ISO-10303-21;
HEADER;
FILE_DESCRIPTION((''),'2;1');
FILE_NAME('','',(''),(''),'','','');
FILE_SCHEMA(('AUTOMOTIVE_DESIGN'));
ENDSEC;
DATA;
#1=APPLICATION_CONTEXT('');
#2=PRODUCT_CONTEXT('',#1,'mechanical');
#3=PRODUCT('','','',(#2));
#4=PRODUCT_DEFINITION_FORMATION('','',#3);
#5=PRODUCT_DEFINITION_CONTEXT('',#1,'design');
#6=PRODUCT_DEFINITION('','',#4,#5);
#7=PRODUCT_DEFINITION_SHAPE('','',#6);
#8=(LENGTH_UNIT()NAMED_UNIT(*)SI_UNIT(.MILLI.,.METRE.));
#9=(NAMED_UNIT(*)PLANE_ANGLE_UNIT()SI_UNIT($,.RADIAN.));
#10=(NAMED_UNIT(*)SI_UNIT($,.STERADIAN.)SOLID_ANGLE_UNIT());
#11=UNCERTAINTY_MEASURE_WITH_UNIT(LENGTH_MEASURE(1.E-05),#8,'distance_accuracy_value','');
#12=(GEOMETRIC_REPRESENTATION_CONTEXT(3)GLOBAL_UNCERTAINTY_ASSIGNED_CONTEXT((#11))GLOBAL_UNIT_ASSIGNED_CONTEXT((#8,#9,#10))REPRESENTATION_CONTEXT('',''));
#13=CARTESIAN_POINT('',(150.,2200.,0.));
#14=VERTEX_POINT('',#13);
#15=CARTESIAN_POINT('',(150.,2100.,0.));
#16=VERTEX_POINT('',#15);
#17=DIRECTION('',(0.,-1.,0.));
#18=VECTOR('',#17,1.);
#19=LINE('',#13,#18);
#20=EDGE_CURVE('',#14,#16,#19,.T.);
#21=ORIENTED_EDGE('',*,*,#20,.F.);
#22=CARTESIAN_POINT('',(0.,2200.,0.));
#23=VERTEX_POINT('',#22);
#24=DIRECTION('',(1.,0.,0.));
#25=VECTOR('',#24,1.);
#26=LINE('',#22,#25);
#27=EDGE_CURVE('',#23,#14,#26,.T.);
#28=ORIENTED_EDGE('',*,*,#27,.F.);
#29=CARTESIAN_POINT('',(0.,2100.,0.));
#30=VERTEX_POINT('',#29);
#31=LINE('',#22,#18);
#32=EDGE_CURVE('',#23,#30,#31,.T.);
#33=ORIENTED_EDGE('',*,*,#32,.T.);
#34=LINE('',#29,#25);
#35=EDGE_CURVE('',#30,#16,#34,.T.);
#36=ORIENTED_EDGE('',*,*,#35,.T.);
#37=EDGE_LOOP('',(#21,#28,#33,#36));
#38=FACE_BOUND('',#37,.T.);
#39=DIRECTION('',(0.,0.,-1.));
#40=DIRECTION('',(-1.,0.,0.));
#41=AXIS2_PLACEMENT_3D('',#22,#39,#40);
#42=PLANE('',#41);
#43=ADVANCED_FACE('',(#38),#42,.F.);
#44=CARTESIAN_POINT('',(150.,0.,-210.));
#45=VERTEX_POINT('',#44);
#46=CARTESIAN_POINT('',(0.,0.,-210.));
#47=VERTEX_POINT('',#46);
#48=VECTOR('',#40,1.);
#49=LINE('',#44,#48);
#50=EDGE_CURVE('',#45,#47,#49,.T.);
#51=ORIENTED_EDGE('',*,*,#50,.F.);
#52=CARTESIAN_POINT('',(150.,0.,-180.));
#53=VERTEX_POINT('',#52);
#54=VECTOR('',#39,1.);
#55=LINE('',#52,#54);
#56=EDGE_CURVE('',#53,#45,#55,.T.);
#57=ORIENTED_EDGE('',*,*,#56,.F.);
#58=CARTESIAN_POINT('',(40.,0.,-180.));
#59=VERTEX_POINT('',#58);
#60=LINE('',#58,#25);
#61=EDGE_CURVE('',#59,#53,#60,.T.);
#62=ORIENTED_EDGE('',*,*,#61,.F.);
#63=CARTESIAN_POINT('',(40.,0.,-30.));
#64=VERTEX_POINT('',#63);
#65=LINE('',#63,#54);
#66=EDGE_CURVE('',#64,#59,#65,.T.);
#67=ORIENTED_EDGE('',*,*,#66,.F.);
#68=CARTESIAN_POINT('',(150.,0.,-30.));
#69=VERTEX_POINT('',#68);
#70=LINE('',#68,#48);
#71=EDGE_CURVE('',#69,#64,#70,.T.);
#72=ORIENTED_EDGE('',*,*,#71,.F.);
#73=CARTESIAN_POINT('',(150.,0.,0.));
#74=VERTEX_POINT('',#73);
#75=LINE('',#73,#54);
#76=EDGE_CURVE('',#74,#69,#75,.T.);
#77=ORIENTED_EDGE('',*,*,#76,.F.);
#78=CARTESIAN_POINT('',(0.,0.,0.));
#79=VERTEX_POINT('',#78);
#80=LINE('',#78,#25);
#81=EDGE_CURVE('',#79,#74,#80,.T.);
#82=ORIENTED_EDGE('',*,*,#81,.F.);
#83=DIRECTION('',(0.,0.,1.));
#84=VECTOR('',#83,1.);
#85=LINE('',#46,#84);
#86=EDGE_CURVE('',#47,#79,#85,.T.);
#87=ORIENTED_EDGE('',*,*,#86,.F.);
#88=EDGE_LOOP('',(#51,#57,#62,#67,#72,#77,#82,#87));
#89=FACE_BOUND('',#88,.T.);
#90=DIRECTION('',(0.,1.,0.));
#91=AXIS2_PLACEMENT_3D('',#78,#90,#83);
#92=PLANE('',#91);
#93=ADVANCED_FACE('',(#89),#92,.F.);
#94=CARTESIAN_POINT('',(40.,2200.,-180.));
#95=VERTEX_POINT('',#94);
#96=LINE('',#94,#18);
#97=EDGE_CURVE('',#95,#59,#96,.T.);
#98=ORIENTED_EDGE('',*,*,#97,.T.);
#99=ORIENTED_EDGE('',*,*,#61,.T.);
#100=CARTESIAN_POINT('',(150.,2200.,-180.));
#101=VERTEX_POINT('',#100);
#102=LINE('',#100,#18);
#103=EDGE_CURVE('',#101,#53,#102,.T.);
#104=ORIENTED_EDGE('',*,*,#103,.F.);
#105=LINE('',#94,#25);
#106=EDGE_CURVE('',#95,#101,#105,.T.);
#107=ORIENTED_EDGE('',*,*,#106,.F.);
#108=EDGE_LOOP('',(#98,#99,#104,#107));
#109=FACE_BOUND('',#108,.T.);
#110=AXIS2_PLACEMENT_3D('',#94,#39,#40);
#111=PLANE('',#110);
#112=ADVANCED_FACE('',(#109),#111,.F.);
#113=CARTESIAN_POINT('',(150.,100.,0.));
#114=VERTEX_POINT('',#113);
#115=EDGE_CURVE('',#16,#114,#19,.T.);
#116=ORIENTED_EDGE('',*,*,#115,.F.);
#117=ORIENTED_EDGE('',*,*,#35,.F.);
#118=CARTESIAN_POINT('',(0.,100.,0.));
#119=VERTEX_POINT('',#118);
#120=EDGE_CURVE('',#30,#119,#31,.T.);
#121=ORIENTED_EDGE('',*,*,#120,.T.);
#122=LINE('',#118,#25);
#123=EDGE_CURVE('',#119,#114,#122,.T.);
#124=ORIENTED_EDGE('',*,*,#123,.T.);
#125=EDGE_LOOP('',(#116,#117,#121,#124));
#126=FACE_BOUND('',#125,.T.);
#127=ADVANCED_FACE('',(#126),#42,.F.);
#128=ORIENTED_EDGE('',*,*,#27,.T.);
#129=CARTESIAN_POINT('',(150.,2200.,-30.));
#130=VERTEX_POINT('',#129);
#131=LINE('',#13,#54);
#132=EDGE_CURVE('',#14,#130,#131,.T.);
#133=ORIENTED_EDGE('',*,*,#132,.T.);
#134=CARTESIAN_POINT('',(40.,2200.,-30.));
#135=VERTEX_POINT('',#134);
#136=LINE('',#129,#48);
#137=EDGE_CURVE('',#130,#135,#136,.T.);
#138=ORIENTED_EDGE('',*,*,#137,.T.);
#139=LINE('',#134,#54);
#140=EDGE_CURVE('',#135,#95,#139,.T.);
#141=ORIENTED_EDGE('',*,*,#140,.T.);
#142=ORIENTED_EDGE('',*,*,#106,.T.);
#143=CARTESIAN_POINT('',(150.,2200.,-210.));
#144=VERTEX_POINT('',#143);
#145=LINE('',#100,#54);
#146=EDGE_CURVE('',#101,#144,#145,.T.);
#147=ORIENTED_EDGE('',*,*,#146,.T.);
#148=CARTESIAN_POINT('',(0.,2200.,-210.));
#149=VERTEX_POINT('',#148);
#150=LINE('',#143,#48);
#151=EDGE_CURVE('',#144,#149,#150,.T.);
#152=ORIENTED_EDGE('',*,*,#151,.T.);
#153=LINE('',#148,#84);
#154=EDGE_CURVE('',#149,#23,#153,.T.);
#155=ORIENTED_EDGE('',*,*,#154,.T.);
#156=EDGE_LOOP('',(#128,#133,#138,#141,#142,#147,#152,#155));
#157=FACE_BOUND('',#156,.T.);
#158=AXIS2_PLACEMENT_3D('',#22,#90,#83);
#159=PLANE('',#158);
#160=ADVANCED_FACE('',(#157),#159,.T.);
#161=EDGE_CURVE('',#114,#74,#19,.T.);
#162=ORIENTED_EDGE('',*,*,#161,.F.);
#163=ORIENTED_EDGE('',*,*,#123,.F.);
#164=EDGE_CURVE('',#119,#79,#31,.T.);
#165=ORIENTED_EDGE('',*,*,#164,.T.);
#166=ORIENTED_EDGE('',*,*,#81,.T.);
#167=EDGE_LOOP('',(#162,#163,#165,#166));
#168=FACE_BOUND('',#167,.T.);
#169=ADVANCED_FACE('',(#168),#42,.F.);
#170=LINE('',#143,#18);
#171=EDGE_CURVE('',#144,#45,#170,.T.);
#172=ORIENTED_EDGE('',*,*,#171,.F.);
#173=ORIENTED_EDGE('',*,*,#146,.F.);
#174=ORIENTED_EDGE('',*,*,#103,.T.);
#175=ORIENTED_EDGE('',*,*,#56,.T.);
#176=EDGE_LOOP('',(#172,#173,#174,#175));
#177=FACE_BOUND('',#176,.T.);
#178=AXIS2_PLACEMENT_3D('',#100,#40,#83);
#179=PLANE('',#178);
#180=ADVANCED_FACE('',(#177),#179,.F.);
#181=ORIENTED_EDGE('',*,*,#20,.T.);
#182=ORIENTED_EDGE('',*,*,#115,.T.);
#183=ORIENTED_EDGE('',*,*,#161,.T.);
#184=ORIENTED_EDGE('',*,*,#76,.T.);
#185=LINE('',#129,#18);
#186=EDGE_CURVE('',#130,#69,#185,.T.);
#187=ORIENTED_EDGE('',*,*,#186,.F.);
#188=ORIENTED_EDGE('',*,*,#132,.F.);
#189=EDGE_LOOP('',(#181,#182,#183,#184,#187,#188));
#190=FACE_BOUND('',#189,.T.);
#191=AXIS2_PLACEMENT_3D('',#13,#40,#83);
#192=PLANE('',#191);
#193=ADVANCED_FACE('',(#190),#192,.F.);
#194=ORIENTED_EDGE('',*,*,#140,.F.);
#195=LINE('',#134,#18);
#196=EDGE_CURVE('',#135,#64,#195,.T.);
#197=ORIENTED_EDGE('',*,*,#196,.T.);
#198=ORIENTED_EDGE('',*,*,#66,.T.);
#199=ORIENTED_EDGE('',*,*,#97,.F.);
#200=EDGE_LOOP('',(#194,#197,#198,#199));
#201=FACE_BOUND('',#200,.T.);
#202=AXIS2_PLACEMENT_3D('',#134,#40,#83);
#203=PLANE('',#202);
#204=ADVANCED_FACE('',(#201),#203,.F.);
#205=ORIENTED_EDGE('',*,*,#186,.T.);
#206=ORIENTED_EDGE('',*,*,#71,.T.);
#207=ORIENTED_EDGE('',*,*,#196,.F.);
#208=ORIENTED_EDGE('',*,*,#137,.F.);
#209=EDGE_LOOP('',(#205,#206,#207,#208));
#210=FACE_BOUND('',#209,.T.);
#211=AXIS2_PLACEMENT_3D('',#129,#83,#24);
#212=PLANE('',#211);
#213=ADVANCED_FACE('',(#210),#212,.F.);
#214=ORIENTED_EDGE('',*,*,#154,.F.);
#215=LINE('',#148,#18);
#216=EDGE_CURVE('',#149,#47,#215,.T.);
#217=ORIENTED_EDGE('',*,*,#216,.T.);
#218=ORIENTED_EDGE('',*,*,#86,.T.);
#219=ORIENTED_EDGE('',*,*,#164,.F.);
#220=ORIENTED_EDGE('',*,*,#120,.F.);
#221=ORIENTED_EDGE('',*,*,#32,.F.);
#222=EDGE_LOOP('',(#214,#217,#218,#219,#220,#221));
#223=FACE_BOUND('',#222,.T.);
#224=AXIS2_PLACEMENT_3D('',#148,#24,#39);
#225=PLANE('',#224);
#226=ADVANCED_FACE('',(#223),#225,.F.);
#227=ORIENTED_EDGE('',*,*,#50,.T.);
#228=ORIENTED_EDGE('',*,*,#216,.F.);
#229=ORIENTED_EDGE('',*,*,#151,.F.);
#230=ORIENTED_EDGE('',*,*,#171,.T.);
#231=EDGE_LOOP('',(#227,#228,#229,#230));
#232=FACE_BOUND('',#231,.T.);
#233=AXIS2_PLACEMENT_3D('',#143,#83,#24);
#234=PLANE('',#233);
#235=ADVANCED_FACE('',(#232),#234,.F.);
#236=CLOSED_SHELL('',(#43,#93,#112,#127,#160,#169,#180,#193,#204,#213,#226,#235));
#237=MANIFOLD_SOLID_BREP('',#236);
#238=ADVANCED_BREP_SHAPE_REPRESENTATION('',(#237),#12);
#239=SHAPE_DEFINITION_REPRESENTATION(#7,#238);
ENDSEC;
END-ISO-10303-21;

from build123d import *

# Parameters (mm, degrees)
DODANIE_WYCI_GNI_CIE1_DEPTH = 2200


with BuildPart() as part:
    # Szkic1 → Dodanie-wyciągnięcie1 (new body)
    with BuildSketch(Plane(origin=(0, 0, 0), x_dir=(1, 0, 0), z_dir=(0, 1, 0))):
        Polygon((0, 0), (150, 0), (150, 30), (40, 30), (40, 180), (150, 180), (150, 210), (0, 210), align=None)
    extrude(amount=DODANIE_WYCI_GNI_CIE1_DEPTH)


solid = part.part
